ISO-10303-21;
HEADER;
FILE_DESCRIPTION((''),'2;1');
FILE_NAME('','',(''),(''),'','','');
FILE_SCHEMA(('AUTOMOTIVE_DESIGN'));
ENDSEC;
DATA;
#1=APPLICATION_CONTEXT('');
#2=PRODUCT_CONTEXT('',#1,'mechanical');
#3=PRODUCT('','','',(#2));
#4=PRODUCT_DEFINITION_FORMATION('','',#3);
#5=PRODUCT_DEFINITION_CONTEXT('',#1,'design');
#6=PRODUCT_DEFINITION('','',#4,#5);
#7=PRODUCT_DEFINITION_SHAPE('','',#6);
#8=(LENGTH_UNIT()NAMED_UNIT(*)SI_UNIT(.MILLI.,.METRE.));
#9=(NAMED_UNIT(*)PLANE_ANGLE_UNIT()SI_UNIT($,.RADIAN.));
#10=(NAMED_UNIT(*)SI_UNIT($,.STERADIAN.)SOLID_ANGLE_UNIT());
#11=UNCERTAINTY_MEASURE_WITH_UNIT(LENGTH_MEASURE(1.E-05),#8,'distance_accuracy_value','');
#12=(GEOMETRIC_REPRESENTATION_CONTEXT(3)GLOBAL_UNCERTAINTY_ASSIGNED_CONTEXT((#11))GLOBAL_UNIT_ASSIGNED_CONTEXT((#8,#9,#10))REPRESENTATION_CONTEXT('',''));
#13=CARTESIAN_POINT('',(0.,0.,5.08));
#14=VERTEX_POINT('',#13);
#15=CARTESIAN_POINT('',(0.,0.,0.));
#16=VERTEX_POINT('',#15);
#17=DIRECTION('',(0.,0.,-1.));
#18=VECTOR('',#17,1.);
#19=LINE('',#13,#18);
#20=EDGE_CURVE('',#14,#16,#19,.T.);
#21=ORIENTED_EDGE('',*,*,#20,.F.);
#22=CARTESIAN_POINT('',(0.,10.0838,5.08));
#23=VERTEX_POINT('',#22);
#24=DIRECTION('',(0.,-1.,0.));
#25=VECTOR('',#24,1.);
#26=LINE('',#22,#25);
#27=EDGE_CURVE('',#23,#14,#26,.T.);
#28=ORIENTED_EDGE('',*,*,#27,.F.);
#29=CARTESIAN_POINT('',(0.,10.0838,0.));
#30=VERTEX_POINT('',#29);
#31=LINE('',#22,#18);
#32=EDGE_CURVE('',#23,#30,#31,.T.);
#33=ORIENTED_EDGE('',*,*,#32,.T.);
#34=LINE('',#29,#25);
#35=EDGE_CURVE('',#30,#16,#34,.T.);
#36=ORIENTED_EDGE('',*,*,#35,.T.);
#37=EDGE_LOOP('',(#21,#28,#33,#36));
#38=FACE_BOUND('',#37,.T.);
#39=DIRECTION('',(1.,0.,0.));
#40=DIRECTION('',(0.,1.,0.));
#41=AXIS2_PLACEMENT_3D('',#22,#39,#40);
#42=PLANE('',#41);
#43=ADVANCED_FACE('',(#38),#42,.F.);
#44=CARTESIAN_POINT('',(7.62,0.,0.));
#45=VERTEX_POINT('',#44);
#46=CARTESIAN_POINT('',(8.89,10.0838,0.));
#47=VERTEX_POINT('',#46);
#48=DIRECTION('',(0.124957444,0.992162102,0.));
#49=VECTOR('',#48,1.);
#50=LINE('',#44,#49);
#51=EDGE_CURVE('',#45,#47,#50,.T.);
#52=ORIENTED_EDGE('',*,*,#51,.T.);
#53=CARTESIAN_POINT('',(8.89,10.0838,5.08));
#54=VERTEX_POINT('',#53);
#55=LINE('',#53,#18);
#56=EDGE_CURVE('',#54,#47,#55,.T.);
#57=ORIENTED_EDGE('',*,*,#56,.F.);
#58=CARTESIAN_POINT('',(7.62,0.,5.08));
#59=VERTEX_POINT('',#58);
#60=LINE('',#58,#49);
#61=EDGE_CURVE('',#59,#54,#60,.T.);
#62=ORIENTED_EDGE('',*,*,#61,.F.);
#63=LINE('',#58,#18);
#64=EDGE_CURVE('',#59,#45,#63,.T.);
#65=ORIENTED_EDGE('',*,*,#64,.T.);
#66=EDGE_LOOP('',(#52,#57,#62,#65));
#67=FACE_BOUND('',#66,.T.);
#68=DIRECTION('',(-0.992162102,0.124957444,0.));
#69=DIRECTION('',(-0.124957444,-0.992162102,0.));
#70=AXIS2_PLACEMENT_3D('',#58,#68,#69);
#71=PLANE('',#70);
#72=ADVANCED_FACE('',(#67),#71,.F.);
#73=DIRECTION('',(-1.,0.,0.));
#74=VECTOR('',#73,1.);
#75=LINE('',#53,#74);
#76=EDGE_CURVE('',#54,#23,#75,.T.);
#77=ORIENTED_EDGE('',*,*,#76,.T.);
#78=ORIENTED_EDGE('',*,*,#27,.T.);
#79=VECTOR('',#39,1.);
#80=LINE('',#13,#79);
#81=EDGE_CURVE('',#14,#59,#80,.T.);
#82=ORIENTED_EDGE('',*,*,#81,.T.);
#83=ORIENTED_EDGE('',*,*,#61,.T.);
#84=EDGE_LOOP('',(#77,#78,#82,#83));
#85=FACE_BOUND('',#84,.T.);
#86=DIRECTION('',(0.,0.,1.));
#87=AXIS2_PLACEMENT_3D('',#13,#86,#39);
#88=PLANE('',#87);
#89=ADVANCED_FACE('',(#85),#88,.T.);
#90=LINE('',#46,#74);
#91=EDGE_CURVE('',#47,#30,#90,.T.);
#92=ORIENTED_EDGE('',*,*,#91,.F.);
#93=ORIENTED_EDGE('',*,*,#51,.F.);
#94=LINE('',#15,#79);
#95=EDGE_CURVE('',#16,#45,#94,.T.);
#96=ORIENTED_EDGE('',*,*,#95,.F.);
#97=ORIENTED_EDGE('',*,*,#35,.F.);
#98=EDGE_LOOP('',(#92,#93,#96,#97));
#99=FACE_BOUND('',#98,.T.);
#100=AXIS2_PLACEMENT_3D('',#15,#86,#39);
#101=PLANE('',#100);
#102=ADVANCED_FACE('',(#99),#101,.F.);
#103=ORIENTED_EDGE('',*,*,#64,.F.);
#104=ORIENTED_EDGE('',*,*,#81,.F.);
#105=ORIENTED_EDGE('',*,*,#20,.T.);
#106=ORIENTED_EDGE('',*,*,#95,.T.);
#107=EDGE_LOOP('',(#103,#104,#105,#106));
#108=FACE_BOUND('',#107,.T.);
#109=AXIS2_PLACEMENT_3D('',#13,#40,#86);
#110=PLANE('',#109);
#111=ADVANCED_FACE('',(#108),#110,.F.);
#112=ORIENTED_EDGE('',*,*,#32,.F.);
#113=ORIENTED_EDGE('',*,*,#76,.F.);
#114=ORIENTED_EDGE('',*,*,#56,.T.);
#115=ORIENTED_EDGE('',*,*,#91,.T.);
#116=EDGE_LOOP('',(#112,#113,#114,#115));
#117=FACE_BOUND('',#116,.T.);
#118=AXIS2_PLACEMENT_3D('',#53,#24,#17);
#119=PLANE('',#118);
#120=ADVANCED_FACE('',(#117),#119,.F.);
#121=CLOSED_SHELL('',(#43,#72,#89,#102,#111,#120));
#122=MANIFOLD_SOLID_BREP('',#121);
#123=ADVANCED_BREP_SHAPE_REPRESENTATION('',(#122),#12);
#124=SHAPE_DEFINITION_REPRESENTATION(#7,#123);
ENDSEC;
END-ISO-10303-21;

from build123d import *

# Parameters (mm, degrees)
BOSS_EXTRUDE1_DEPTH = 5.08


with BuildPart() as part:
    # Sketch1 → Boss-Extrude1 (new body)
    with BuildSketch(Plane.XY):
        Polygon((0, 0), (7.62, 0), (8.89, 10.0838), (0, 10.0838), align=None)
    extrude(amount=BOSS_EXTRUDE1_DEPTH)


solid = part.part
